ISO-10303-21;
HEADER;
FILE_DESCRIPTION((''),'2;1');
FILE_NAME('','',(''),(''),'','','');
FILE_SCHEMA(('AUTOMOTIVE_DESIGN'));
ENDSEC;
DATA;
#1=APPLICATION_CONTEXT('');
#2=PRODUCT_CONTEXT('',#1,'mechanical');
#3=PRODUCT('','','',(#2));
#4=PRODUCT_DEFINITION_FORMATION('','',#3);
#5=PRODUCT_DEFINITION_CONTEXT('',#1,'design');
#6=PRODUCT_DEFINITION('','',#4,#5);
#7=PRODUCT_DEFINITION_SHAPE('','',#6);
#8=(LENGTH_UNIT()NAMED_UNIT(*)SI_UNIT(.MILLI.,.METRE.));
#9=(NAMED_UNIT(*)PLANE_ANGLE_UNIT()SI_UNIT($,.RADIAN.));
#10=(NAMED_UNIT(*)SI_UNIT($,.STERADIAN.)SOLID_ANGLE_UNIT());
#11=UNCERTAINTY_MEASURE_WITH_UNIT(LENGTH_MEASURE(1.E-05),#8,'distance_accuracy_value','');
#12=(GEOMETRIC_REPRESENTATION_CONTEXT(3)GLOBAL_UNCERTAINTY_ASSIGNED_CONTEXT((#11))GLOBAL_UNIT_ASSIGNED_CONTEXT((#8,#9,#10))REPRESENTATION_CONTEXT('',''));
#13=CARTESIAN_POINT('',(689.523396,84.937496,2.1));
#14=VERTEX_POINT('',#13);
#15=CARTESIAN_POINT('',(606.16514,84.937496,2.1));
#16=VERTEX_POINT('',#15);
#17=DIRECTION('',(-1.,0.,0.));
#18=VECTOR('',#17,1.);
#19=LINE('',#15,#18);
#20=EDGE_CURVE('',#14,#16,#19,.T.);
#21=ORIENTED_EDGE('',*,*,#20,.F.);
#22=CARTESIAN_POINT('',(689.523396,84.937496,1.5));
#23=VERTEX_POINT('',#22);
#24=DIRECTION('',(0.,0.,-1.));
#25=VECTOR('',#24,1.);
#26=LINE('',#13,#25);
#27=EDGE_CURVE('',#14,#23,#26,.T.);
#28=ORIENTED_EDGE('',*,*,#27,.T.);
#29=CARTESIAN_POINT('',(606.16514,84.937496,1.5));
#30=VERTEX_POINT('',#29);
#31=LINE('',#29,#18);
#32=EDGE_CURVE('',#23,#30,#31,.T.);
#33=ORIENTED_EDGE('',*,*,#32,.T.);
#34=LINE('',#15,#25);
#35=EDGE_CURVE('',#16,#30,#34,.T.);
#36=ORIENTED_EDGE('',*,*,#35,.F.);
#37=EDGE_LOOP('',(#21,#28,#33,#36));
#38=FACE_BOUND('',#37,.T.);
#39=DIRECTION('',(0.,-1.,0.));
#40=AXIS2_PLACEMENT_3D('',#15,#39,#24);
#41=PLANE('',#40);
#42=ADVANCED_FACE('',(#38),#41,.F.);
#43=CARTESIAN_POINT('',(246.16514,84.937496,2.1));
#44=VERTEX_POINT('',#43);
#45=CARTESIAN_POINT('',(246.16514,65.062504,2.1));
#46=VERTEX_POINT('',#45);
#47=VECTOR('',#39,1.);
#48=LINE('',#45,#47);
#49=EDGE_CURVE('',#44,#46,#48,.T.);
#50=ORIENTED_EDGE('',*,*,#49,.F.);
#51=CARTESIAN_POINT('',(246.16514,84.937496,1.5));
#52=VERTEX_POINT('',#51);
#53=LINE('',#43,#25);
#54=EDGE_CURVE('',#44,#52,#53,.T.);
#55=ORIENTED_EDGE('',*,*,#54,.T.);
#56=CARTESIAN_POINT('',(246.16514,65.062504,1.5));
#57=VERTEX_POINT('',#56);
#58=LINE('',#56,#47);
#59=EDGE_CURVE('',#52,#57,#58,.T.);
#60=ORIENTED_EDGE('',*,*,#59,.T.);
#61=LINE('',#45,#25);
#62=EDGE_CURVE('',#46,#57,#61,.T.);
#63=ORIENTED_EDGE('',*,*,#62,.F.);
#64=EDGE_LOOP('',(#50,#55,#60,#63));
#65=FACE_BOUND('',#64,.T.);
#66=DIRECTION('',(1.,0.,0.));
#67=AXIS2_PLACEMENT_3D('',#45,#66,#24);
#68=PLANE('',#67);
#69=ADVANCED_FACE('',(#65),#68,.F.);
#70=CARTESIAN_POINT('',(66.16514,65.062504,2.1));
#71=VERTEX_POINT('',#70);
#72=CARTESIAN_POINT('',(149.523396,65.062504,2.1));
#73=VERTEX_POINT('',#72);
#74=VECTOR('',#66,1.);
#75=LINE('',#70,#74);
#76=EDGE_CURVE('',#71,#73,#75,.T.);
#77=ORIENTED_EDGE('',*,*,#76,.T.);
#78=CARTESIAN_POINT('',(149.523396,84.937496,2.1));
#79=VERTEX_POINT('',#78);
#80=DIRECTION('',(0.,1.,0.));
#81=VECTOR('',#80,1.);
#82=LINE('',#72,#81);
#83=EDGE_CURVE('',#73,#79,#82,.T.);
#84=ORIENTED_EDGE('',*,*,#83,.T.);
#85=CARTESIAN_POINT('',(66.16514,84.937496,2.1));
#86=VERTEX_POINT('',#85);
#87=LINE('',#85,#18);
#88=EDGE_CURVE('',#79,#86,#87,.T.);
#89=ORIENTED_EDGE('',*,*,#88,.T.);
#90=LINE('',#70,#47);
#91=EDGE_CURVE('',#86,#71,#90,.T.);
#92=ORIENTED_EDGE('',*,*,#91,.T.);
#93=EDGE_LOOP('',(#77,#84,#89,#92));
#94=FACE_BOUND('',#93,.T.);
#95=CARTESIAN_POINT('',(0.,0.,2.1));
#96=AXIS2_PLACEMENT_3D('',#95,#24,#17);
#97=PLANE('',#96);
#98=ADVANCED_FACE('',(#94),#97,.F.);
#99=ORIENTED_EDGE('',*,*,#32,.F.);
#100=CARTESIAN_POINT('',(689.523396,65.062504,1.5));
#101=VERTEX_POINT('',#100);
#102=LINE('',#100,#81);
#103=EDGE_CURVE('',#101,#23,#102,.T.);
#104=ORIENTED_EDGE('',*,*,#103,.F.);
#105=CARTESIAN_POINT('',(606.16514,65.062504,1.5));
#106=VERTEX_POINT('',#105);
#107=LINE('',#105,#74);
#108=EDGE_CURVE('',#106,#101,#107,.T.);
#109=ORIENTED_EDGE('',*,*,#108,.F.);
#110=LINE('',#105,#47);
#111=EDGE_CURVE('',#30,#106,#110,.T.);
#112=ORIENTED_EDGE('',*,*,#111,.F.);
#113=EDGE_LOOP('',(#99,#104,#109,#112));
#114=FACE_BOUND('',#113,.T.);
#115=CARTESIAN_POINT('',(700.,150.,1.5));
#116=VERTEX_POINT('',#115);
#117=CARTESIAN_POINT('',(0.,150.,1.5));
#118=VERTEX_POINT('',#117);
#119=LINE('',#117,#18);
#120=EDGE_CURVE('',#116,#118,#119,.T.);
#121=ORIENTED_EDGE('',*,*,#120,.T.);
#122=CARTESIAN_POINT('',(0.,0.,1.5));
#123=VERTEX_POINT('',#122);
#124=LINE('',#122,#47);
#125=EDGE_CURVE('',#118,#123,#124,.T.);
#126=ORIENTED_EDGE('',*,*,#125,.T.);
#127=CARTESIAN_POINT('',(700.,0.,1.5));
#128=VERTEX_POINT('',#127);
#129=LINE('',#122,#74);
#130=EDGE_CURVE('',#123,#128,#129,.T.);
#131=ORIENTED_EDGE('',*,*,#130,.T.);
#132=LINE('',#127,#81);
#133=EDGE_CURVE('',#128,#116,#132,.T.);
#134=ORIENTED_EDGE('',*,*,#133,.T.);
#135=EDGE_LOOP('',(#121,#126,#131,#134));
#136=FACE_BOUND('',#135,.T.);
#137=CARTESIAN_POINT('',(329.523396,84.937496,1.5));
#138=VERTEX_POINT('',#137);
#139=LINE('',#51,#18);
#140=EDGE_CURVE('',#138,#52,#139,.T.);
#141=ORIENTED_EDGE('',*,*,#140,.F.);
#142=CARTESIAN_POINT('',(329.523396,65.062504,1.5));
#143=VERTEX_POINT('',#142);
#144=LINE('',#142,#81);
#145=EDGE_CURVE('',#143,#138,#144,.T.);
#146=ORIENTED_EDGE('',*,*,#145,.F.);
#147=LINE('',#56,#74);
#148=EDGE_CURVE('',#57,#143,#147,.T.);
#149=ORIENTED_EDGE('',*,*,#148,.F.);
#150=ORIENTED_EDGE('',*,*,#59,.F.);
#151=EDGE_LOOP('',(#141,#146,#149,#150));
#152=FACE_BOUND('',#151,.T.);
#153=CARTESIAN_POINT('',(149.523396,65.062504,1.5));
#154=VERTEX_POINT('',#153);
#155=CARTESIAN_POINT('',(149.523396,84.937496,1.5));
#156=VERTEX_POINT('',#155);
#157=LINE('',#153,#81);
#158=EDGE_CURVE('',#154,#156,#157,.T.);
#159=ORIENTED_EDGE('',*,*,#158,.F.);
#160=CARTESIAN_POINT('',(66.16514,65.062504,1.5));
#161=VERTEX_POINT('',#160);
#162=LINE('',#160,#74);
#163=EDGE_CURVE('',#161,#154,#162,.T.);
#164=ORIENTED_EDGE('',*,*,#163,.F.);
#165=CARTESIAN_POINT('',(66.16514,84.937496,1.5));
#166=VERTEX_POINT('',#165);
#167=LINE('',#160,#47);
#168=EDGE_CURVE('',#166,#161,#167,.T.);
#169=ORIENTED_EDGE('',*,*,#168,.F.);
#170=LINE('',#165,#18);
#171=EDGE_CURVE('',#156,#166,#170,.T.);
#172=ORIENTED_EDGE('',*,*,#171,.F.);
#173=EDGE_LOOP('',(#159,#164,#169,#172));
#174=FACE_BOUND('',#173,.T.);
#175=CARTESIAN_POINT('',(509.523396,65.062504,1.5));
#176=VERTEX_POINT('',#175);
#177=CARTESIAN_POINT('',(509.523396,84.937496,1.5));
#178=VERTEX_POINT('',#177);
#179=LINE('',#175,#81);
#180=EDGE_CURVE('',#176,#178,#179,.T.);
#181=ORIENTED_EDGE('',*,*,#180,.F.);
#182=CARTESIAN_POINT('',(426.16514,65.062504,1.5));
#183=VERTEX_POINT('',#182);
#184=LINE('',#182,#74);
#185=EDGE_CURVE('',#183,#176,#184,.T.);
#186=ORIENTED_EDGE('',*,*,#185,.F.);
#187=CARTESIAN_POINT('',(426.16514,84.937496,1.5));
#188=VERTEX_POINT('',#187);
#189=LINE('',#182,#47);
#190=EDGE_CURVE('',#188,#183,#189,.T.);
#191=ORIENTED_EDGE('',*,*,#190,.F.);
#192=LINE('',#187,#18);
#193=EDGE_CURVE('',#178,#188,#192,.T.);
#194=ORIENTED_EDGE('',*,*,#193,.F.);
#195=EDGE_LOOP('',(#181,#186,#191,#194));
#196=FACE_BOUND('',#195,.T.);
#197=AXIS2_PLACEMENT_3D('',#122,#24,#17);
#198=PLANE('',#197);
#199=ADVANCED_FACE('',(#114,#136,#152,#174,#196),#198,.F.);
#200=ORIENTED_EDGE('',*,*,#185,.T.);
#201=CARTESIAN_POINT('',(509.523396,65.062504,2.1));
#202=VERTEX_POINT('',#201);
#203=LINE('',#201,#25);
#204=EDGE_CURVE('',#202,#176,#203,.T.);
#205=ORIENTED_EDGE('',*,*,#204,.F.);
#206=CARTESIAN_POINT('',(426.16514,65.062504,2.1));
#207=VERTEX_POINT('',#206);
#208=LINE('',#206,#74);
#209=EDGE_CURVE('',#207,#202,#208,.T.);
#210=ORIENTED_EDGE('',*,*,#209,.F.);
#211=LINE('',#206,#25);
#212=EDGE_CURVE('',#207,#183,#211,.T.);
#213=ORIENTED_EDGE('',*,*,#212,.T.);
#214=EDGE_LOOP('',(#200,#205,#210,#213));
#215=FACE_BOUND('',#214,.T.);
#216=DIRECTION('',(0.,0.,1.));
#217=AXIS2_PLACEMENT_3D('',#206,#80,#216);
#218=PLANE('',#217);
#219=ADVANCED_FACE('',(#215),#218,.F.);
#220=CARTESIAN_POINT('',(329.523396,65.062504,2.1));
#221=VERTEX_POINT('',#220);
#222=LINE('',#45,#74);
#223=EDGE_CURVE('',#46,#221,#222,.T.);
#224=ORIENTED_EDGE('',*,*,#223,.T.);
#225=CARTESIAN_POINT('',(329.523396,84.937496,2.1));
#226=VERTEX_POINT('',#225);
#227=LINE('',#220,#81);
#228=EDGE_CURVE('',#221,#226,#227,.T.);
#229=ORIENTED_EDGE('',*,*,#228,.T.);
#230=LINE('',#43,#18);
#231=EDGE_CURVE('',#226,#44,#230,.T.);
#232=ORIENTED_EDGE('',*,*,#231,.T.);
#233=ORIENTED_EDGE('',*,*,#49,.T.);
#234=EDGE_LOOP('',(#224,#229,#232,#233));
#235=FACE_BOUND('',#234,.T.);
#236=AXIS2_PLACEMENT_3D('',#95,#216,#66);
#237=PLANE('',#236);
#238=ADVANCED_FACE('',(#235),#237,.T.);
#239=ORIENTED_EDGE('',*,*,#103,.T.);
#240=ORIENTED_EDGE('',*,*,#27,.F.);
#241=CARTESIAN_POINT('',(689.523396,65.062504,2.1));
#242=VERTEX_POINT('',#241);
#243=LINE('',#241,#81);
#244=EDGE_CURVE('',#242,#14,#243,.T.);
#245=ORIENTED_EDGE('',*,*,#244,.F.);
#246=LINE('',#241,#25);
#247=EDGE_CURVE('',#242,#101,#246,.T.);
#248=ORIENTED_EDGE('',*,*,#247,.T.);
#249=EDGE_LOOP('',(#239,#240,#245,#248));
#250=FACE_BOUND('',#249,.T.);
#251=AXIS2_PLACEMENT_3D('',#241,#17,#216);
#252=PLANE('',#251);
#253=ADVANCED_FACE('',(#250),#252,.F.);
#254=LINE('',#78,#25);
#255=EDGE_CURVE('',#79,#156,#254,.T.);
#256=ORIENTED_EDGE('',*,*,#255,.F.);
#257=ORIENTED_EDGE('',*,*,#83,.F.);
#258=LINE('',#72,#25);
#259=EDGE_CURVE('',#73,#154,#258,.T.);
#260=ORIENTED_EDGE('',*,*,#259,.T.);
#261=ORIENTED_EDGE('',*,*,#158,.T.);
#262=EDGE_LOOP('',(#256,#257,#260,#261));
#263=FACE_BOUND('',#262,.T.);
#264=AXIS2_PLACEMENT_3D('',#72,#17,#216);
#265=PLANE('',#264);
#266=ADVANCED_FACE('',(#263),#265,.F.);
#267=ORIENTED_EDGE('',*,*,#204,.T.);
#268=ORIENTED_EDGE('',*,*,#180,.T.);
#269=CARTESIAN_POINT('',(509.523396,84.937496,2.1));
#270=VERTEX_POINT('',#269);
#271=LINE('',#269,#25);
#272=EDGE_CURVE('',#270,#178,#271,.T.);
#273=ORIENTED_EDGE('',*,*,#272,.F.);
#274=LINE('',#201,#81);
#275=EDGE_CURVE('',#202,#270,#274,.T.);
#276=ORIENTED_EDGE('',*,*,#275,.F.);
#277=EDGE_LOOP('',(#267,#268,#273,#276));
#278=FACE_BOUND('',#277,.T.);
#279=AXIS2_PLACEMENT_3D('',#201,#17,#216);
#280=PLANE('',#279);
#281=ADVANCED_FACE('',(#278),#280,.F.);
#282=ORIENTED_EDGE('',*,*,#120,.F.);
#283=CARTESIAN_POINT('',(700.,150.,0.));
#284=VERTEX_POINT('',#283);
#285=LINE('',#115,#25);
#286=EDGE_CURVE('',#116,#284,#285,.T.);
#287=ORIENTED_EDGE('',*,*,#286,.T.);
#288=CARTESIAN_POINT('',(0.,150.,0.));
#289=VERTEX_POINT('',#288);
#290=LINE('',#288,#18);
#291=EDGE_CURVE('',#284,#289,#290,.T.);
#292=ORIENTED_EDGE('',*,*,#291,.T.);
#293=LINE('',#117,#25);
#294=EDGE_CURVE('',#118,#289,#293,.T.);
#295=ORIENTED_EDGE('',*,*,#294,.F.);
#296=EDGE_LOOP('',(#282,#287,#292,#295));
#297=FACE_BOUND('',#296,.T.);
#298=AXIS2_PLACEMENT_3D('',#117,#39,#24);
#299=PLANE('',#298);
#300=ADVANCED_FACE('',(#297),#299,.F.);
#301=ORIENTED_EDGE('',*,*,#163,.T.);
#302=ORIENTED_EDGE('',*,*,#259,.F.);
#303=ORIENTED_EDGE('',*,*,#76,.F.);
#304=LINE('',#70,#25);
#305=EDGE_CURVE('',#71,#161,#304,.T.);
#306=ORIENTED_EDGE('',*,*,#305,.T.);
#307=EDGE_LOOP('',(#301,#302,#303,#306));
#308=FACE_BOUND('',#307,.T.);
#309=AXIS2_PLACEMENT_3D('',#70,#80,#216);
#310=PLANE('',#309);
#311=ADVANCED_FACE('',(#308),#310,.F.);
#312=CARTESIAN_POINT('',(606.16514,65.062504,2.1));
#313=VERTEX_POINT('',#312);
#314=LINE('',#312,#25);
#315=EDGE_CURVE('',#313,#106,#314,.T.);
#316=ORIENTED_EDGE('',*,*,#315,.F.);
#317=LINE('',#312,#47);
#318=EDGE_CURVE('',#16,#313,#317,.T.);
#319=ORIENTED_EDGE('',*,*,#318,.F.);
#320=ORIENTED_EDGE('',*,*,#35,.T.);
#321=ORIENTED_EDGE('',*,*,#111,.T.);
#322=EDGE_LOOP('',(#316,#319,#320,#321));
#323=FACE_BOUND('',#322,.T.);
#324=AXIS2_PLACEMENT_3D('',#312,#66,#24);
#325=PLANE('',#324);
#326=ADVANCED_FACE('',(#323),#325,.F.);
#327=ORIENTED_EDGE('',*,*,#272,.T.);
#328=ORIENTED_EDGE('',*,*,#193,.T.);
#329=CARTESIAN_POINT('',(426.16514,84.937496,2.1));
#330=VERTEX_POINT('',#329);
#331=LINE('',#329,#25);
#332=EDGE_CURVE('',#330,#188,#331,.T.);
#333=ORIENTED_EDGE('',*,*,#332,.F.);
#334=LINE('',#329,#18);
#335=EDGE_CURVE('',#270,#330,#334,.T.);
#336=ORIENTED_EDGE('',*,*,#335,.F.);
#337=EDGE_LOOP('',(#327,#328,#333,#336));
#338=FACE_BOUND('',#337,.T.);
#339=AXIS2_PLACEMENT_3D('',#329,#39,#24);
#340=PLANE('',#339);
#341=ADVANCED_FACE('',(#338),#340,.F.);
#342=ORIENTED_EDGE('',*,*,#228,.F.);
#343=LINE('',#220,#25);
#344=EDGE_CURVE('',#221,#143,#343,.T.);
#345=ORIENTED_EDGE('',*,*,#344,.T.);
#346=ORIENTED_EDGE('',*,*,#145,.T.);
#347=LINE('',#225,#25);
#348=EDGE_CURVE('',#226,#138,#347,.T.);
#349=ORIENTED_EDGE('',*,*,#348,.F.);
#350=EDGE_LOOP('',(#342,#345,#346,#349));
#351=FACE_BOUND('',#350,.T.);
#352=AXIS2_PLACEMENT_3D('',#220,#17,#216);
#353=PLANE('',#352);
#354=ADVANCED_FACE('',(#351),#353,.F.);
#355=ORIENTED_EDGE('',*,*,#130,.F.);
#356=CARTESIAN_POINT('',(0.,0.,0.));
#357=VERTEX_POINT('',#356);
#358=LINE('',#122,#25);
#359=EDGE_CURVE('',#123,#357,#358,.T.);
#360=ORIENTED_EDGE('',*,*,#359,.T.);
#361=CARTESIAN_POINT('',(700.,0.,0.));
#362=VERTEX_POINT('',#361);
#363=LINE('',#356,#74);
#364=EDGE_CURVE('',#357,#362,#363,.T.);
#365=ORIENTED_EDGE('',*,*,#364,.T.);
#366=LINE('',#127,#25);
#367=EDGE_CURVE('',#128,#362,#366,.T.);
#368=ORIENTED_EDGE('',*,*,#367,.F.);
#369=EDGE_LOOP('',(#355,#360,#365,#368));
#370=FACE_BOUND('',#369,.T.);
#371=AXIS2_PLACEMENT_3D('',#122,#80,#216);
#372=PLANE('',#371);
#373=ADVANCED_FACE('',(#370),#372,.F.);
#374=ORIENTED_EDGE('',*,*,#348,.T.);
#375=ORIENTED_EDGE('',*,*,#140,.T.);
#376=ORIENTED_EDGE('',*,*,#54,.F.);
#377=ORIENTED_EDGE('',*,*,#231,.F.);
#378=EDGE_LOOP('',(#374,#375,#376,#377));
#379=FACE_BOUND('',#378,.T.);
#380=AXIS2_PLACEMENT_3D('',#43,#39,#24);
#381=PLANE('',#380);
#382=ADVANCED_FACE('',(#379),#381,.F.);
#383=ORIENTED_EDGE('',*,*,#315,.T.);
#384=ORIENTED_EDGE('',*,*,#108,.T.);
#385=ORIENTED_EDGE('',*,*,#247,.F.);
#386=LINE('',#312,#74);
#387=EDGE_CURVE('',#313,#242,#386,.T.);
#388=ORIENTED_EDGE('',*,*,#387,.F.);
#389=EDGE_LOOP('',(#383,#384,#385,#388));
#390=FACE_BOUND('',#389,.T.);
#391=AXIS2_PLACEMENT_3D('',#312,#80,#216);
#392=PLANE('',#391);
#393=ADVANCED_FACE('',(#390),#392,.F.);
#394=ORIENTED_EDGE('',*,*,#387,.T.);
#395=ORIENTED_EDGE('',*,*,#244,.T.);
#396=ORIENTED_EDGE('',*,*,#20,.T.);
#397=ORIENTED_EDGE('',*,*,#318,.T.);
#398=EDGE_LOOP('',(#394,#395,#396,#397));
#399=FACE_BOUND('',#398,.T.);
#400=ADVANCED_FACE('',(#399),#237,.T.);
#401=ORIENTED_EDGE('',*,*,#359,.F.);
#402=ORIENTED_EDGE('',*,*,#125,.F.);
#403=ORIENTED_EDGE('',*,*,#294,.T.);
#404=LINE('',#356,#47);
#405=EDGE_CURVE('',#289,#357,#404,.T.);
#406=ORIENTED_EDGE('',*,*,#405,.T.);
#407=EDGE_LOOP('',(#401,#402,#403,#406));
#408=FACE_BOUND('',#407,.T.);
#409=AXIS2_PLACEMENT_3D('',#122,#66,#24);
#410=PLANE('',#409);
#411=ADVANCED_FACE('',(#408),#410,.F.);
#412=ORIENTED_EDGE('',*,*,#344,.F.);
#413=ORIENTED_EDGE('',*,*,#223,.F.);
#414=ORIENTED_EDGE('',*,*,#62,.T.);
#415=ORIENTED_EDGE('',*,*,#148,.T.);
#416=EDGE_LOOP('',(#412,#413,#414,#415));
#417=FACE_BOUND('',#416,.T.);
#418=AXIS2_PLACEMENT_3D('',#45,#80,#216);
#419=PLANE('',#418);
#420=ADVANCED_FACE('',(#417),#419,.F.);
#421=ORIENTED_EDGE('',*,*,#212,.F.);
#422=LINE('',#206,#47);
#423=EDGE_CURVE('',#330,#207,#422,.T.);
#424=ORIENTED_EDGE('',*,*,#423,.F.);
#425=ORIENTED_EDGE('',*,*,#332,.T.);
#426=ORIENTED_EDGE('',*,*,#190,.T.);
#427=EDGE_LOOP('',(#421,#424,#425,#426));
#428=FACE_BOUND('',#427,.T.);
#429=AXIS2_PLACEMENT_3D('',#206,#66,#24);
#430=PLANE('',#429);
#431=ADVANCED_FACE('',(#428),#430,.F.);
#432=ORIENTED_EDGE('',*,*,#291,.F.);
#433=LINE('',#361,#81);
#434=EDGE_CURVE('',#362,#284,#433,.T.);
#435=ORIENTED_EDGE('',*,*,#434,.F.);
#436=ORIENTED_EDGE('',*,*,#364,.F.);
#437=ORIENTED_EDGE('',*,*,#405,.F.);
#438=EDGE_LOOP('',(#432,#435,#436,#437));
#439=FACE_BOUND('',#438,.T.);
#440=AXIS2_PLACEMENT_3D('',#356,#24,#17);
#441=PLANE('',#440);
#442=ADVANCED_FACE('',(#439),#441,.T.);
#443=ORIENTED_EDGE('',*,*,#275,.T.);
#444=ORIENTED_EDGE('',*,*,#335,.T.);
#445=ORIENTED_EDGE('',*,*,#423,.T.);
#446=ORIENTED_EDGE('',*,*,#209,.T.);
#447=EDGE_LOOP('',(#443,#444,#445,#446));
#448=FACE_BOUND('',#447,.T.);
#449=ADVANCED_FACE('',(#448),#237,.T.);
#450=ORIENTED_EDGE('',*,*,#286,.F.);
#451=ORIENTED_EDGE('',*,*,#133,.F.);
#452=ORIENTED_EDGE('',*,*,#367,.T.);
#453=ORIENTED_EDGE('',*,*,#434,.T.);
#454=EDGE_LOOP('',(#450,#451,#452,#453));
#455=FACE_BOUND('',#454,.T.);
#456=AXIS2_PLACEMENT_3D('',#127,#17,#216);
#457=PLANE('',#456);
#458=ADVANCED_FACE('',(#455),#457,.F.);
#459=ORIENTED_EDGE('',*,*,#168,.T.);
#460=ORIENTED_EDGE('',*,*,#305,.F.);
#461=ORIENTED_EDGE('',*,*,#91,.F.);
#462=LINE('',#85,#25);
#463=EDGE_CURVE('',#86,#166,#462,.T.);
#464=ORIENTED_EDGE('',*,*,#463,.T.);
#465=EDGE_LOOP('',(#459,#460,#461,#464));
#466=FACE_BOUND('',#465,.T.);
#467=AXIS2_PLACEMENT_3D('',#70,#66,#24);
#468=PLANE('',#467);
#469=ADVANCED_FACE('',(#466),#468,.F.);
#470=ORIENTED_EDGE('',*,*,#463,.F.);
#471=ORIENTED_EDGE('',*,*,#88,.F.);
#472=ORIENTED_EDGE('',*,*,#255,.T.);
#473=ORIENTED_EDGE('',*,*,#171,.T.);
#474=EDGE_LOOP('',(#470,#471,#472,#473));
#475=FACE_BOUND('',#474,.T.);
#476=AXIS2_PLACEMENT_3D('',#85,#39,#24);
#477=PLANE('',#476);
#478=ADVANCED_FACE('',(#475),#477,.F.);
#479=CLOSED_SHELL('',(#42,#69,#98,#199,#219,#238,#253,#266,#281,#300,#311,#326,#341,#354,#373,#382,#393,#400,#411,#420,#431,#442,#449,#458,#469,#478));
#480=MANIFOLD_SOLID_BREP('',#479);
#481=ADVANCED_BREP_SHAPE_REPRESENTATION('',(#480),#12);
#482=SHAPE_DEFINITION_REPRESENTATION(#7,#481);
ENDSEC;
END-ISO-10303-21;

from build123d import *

# Parameters (mm, degrees)
SKETCH1_W           = 700
SKETCH1_H           = 150
BOSS_EXTRUDE1_DEPTH = 1.5
SKETCH2_W           = 83.358255446
SKETCH2_H           = 19.874992792
BOSS_EXTRUDE2_DEPTH = 0.6


with BuildPart() as part:
    # Sketch1 → Boss-Extrude1 (new body)
    with BuildSketch(Plane.XY):
        with Locations((350, 75)):
            Rectangle(SKETCH1_W, SKETCH1_H)
    extrude(amount=BOSS_EXTRUDE1_DEPTH)

    # Sketch2 → Boss-Extrude2 (add)
    with BuildSketch(Plane.XY.offset(1.5)):
        with Locations((287.844267931, 75)):
            Rectangle(SKETCH2_W, SKETCH2_H)
        with Locations((107.844267931, 75)):
            Rectangle(SKETCH2_W, SKETCH2_H)
        with Locations((467.844267931, 75)):
            Rectangle(SKETCH2_W, SKETCH2_H)
        with Locations((647.844267931, 75)):
            Rectangle(SKETCH2_W, SKETCH2_H)
    extrude(amount=BOSS_EXTRUDE2_DEPTH)


solid = part.part
